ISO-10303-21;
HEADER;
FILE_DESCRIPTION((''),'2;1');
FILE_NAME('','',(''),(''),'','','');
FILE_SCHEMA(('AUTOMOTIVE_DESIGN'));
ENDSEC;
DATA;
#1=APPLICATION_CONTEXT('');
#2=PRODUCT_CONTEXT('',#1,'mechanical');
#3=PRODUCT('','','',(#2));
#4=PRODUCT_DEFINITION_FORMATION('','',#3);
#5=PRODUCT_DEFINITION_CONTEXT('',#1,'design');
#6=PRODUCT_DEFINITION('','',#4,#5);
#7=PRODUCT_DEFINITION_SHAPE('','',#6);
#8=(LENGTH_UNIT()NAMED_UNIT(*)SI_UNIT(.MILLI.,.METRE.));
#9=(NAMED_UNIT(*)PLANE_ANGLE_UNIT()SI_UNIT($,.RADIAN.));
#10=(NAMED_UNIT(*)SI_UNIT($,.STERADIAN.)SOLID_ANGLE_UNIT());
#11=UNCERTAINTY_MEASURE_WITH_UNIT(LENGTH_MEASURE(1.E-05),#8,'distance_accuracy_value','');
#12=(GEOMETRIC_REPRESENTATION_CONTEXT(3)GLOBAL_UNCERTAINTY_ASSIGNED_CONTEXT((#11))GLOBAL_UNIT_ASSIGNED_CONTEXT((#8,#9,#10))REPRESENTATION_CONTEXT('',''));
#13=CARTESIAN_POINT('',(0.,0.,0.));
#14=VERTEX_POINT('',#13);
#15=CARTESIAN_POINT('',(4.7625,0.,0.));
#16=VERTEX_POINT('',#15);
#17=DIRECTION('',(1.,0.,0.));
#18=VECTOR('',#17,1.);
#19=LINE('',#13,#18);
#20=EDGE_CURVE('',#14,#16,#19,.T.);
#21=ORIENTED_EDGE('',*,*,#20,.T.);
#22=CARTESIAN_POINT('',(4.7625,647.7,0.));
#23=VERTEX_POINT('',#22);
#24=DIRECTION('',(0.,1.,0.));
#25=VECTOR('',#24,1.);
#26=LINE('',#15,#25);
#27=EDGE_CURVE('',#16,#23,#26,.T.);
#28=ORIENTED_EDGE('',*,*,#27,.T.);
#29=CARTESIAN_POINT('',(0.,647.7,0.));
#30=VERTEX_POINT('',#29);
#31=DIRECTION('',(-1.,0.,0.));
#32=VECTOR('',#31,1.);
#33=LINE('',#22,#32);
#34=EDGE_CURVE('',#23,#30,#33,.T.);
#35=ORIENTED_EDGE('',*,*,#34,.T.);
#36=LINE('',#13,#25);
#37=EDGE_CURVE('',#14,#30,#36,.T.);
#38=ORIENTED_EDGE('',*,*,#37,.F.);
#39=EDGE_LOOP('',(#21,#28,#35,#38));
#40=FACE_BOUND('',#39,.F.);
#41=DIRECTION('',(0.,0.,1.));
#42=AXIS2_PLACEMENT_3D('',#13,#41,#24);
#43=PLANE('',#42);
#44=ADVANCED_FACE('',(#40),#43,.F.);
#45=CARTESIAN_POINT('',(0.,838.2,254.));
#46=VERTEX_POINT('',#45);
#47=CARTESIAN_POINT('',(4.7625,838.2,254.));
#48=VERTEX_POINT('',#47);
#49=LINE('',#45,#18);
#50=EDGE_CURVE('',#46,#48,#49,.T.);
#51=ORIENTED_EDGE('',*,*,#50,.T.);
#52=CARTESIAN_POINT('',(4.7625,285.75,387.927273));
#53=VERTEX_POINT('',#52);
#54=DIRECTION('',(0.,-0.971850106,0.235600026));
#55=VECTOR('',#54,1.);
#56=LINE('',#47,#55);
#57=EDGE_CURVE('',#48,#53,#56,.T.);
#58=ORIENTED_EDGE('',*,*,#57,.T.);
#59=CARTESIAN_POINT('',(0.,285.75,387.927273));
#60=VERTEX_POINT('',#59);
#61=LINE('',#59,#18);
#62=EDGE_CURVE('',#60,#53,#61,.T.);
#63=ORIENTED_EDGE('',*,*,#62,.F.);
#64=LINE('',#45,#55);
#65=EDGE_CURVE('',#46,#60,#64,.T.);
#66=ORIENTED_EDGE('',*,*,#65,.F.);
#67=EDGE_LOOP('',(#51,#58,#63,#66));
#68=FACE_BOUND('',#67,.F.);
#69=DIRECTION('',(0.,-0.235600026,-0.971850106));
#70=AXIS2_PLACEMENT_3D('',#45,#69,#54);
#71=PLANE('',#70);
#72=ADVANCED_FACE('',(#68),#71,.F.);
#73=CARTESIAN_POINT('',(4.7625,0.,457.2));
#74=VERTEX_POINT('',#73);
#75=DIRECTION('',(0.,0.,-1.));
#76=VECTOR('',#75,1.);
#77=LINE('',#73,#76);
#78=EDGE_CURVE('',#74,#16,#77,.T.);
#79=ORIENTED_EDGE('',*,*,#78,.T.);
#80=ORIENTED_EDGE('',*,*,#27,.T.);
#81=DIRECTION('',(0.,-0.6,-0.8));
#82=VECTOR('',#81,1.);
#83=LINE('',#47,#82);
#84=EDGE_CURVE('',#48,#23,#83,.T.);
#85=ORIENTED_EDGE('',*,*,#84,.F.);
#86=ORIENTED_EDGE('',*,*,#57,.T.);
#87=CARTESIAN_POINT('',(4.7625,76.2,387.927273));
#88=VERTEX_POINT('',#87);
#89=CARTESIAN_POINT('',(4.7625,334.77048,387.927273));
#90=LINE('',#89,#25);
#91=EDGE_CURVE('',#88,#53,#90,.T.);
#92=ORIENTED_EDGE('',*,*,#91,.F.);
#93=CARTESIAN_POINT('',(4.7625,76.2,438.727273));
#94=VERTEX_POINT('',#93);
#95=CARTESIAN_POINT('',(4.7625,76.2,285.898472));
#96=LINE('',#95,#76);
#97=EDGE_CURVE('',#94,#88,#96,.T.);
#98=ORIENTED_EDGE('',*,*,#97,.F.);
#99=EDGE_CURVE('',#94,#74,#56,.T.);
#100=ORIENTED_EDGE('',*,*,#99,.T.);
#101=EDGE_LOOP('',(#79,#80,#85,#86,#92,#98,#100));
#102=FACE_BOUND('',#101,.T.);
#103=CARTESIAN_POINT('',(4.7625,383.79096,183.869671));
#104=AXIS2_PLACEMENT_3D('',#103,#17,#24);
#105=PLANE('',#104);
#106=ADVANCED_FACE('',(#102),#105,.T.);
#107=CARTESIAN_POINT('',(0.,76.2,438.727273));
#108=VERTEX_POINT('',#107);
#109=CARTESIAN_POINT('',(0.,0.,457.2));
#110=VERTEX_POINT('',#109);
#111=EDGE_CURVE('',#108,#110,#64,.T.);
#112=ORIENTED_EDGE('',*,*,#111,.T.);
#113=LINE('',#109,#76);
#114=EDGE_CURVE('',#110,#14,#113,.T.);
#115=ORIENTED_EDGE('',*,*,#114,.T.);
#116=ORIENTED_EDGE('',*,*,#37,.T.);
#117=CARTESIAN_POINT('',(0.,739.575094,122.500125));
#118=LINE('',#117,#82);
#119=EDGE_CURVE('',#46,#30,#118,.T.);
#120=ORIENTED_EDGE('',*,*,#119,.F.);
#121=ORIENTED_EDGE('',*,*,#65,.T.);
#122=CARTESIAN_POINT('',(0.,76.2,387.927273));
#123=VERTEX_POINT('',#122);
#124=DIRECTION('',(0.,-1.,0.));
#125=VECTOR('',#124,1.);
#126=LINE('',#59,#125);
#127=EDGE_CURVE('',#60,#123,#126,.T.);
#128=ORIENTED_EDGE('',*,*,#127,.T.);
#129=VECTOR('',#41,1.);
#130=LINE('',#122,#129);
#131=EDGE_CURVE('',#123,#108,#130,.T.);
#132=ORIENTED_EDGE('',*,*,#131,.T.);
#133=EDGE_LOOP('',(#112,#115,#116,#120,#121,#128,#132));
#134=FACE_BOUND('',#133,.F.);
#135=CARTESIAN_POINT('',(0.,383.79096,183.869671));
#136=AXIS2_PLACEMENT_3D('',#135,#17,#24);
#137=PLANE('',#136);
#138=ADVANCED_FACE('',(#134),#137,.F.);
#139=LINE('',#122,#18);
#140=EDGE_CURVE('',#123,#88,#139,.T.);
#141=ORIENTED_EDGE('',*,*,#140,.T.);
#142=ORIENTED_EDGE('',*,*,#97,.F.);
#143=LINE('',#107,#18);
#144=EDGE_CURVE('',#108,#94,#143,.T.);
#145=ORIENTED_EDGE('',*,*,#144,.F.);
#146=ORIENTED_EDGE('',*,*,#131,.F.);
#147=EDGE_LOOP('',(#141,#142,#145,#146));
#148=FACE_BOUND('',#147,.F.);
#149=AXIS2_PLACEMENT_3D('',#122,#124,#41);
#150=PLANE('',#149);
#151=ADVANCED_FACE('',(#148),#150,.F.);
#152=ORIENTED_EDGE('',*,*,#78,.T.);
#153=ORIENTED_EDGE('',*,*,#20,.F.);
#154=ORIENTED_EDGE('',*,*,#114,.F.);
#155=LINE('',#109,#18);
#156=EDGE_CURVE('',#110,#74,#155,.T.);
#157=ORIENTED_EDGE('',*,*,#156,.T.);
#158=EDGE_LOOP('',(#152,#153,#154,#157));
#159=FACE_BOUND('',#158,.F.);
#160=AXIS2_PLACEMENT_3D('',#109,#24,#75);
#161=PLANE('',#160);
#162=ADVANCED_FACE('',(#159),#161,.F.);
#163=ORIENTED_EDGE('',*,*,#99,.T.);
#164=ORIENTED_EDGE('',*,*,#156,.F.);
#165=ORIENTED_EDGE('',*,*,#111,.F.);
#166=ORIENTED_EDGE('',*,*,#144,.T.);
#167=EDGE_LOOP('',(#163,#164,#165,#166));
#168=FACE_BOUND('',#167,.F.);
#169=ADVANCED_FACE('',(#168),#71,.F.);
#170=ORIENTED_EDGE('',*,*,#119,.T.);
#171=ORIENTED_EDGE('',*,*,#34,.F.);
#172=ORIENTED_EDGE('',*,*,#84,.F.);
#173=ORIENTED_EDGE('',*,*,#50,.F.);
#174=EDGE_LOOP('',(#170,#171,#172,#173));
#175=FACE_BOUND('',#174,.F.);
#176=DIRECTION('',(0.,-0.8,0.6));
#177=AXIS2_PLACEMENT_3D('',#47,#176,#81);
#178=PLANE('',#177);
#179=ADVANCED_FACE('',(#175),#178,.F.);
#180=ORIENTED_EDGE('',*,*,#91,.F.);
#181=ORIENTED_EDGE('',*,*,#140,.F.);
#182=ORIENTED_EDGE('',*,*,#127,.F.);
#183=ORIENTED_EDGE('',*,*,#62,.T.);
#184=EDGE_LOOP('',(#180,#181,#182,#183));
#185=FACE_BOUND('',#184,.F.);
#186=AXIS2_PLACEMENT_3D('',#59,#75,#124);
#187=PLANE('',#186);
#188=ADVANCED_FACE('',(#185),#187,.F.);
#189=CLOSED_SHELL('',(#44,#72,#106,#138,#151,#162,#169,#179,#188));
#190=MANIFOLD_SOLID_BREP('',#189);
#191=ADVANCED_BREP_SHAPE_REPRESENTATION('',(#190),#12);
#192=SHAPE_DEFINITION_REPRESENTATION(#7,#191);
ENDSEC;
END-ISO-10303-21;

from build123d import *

# Parameters (mm, degrees)
F1_DEPTH = 4.7625
F3_DEPTH = 4.7635
F5_DEPTH = 4.7635


with BuildPart() as f1:
    # F0 (on Right) → F1 (new body)
    with BuildSketch(Plane.YZ):
        Polygon((0, 457.2), (0, 0), (838.2, 0), (838.2, 254), align=None)
    extrude(amount=F1_DEPTH)

    # F2 (on face) → F3 (cut, through all)
    with BuildSketch(Plane(origin=(0, 0, 0), x_dir=(0, -1, 0), z_dir=(-1, 0, 0))):
        Polygon((-76.2, 387.927273), (-76.2, 438.727273), (-285.75, 387.927273), align=None)
    extrude(amount=-F3_DEPTH, mode=Mode.SUBTRACT)

    # F4 (on face) → F5 (cut, through all)
    with BuildSketch(Plane.YZ.offset(4.7625)):
        Polygon((838.2, 0), (838.2, 254), (647.7, 0), align=None)
    extrude(amount=-F5_DEPTH, mode=Mode.SUBTRACT)


solid = f1.part
